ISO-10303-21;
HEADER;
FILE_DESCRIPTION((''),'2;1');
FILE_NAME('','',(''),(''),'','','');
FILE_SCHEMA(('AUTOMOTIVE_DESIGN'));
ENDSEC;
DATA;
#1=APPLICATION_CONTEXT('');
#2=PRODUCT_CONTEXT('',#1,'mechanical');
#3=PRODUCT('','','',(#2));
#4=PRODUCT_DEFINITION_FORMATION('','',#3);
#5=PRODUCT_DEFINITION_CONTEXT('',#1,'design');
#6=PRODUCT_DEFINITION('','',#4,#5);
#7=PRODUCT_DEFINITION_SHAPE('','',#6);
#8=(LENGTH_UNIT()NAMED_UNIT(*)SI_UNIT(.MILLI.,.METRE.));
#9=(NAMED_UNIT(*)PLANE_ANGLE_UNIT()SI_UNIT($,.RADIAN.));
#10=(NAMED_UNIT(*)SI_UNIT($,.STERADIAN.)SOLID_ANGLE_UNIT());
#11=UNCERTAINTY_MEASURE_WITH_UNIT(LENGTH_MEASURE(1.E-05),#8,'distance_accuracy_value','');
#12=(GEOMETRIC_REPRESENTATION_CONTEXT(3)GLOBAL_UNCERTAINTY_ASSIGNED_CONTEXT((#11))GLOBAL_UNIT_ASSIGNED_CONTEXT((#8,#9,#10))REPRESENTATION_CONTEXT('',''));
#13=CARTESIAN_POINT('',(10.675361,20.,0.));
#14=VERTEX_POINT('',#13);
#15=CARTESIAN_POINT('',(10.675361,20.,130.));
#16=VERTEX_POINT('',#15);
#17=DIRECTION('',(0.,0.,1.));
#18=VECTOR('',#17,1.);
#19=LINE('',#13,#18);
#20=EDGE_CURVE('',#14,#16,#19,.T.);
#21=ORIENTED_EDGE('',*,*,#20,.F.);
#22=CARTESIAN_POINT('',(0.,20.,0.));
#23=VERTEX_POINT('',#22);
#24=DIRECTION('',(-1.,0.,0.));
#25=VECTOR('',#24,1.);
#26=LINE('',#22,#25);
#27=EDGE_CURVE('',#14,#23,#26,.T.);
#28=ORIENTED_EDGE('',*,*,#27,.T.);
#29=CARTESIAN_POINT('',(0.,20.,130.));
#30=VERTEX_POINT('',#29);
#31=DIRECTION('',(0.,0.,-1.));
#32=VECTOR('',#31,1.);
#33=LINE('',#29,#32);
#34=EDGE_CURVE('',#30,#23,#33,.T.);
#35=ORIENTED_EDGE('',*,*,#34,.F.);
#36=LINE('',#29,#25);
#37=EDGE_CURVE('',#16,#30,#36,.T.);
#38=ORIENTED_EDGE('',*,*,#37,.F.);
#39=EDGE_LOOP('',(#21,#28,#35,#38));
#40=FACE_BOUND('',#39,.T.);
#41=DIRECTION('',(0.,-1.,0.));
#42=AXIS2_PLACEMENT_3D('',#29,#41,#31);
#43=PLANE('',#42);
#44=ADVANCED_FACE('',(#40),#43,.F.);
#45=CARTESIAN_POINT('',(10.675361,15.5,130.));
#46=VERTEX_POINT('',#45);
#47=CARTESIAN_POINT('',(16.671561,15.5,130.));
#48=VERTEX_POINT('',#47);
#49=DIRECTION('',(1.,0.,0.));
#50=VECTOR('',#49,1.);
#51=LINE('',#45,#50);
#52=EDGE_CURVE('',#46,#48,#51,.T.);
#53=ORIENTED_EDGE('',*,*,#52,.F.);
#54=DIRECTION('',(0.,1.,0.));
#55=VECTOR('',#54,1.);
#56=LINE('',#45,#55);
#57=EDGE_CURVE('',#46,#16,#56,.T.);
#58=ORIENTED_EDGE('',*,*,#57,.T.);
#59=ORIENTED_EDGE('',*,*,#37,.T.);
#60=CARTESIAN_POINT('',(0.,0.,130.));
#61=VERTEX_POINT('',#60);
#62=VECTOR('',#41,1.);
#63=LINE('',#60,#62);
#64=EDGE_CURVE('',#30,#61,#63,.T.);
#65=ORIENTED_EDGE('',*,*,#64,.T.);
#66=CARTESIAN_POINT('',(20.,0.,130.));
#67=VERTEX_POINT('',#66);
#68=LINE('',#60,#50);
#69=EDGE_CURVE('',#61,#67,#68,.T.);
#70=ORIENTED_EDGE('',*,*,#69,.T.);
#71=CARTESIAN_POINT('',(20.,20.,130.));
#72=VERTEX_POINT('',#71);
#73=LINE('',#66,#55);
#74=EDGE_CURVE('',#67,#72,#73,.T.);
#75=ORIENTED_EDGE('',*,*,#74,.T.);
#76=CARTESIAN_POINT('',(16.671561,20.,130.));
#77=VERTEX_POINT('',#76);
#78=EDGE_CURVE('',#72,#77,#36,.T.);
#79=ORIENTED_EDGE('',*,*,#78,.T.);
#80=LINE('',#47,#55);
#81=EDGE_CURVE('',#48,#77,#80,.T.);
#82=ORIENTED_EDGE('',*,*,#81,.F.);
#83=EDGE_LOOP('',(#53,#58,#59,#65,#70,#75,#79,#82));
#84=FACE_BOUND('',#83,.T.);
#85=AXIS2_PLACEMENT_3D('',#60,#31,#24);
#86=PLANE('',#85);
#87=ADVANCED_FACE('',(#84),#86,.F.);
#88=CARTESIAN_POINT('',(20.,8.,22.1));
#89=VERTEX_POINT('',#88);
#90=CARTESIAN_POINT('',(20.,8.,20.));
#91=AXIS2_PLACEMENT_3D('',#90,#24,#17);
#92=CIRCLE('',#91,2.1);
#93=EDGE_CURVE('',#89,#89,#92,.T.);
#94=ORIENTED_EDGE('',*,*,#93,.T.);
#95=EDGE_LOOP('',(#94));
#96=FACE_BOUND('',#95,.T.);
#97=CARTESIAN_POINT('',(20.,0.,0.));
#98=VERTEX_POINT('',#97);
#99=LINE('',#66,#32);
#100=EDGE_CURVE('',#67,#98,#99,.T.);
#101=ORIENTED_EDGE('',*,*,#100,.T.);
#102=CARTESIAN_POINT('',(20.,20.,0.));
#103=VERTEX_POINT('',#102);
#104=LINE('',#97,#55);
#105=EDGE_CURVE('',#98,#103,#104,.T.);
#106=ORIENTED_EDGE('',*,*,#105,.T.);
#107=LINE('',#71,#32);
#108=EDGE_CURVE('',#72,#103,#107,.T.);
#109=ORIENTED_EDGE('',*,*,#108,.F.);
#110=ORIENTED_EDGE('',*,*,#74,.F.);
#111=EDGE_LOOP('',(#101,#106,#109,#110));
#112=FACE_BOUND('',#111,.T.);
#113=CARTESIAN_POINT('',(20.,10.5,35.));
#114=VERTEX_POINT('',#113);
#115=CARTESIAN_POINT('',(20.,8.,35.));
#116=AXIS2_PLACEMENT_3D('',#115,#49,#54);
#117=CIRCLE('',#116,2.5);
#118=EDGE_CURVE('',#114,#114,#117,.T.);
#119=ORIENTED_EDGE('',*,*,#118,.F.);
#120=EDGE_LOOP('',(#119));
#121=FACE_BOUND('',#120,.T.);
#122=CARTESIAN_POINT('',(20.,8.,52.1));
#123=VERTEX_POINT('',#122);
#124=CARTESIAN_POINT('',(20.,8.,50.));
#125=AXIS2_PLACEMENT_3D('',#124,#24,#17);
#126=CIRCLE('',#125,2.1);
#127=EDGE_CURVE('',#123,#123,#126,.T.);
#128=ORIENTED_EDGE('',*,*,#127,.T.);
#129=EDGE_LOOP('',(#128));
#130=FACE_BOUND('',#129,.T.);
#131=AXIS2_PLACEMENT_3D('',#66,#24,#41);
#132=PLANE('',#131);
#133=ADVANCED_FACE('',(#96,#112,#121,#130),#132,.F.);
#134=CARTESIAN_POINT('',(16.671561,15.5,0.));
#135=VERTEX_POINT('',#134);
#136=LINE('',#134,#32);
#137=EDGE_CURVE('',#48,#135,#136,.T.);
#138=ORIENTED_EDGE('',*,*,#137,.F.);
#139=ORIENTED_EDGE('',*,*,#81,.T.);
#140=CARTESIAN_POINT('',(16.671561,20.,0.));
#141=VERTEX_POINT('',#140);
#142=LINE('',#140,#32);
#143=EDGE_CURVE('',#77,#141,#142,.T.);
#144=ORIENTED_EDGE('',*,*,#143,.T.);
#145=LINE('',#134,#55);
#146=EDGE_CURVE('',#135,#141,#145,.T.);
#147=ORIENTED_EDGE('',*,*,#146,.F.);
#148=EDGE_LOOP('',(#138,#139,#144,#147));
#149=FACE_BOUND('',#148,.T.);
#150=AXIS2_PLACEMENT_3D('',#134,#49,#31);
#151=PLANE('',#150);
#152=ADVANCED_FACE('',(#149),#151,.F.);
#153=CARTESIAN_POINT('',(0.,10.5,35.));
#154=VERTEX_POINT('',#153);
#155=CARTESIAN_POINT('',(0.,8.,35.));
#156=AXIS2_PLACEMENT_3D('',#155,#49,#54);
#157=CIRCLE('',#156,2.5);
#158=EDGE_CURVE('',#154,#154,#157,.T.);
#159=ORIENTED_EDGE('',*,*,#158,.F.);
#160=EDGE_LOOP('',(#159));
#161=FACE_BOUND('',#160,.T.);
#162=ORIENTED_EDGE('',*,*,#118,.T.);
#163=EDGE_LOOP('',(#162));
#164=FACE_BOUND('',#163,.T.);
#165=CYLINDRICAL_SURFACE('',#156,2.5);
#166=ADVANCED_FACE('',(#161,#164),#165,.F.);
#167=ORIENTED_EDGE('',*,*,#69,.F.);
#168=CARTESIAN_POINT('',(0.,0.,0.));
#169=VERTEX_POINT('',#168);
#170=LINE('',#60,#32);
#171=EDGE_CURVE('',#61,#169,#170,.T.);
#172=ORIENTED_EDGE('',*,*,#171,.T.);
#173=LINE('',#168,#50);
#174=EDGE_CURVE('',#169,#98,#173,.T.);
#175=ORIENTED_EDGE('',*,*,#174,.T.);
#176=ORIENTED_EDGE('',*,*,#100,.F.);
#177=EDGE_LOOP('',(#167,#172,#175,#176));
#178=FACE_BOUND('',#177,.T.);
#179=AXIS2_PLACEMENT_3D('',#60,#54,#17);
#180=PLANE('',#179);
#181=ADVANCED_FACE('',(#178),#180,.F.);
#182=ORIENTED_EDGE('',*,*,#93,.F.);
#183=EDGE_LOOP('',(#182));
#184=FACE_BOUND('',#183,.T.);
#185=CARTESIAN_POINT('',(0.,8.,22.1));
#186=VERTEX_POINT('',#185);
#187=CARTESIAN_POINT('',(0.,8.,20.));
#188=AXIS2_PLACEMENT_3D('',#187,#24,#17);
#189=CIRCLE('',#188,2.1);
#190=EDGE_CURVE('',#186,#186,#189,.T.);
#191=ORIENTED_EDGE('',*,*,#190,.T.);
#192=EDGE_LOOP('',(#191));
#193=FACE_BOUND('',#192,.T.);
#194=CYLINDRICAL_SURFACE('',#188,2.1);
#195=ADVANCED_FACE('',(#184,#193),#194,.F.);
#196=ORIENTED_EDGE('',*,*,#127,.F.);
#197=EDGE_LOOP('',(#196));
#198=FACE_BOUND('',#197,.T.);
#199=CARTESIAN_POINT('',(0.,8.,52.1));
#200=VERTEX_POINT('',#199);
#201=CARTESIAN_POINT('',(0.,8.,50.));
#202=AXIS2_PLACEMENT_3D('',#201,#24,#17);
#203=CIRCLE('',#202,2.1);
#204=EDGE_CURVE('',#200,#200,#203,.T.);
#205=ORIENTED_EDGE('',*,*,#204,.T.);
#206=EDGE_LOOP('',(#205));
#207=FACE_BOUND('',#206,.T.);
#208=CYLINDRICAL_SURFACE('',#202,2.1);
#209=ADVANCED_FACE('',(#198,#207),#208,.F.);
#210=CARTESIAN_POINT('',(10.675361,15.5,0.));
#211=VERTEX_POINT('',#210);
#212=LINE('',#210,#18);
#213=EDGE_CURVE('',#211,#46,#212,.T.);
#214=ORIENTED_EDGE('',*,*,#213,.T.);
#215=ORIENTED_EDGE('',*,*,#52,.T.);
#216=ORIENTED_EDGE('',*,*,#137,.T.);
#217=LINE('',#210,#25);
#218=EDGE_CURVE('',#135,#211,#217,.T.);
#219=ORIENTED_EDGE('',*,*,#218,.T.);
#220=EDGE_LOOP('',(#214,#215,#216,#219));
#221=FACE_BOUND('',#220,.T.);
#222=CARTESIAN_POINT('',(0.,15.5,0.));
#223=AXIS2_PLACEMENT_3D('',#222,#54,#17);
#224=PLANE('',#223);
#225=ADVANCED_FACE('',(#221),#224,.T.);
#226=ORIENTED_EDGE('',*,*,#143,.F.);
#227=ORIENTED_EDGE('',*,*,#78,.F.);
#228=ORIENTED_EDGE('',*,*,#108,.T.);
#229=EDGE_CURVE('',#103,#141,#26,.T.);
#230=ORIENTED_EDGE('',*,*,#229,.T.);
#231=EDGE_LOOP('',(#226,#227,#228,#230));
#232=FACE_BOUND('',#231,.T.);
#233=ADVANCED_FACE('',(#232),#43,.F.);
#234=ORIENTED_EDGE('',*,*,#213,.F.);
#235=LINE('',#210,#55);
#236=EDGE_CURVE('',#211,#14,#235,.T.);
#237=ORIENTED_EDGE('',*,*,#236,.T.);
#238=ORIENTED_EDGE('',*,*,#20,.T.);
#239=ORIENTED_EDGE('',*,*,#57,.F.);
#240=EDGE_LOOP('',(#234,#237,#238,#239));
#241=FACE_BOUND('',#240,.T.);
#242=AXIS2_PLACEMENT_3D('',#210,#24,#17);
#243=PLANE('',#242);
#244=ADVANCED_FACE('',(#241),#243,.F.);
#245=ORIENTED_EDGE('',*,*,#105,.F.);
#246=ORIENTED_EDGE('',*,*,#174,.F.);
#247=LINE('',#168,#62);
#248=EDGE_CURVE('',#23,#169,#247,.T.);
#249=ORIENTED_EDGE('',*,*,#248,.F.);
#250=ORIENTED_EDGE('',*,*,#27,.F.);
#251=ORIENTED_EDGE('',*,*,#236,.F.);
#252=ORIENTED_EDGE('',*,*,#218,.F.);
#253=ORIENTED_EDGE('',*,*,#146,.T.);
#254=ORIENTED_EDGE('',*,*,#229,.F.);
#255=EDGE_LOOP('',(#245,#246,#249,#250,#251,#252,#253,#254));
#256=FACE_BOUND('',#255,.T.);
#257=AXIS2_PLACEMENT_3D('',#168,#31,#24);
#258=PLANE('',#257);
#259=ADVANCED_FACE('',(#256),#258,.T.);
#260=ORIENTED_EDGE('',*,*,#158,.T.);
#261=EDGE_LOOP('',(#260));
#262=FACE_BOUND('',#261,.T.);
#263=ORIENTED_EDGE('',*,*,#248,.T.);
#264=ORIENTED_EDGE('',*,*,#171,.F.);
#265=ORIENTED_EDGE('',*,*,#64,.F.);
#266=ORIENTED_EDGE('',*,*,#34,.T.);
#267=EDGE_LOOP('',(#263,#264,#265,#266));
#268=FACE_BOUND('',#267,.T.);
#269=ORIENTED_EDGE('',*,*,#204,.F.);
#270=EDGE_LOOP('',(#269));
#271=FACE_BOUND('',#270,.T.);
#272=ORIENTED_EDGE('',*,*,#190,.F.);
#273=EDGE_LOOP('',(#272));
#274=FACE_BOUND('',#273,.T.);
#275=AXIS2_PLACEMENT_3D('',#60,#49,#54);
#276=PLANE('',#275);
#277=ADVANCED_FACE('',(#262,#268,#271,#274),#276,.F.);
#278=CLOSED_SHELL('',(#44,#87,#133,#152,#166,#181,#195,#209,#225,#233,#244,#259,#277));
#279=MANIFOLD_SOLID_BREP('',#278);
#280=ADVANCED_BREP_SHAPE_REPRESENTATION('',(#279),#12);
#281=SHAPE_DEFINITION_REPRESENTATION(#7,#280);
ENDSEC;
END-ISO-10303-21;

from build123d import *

# Parameters (mm, degrees)
SKETCH_1_W          = 20
SKETCH_1_H          = 20
EXTRUDE_1_DEPTH     = 130
SKETCH_2_W          = 5.996199515
SKETCH_2_H          = 130
CUT_EXTRUDE_1_DEPTH = 4.5
HOLE_WIZARD_M5_1_D  = 4.2
SKETCH_5_R          = 2.5
CUT_EXTRUDE_2_DEPTH = 21


with BuildPart() as part:
    # 草图1 → 凸台-拉伸1 (new body)
    with BuildSketch(Plane.XY):
        with Locations((10, 10)):
            Rectangle(SKETCH_1_W, SKETCH_1_H)
    extrude(amount=EXTRUDE_1_DEPTH)

    # 草图2 → 切除-拉伸1 (cut)
    with BuildSketch(Plane(origin=(0, 20, 0), x_dir=(1, 0, 0), z_dir=(0, 1, 0))):
        with Locations((13.673460813, -65)):
            Rectangle(SKETCH_2_W, SKETCH_2_H)
    extrude(amount=-CUT_EXTRUDE_1_DEPTH, mode=Mode.SUBTRACT)

    # M5 螺纹孔1 (through all)
    with Locations(Plane.ZY):
        with Locations((20, 8), (50, 8)):
            Hole(HOLE_WIZARD_M5_1_D / 2)

    # 草图5 → 切除-拉伸2 (cut, through all)
    with BuildSketch(Plane(origin=(20, 0, 0), x_dir=(0, 0, -1), z_dir=(1, 0, 0))):
        with Locations((-35, 8)):
            Circle(SKETCH_5_R)
    extrude(amount=-CUT_EXTRUDE_2_DEPTH, mode=Mode.SUBTRACT)


solid = part.part
